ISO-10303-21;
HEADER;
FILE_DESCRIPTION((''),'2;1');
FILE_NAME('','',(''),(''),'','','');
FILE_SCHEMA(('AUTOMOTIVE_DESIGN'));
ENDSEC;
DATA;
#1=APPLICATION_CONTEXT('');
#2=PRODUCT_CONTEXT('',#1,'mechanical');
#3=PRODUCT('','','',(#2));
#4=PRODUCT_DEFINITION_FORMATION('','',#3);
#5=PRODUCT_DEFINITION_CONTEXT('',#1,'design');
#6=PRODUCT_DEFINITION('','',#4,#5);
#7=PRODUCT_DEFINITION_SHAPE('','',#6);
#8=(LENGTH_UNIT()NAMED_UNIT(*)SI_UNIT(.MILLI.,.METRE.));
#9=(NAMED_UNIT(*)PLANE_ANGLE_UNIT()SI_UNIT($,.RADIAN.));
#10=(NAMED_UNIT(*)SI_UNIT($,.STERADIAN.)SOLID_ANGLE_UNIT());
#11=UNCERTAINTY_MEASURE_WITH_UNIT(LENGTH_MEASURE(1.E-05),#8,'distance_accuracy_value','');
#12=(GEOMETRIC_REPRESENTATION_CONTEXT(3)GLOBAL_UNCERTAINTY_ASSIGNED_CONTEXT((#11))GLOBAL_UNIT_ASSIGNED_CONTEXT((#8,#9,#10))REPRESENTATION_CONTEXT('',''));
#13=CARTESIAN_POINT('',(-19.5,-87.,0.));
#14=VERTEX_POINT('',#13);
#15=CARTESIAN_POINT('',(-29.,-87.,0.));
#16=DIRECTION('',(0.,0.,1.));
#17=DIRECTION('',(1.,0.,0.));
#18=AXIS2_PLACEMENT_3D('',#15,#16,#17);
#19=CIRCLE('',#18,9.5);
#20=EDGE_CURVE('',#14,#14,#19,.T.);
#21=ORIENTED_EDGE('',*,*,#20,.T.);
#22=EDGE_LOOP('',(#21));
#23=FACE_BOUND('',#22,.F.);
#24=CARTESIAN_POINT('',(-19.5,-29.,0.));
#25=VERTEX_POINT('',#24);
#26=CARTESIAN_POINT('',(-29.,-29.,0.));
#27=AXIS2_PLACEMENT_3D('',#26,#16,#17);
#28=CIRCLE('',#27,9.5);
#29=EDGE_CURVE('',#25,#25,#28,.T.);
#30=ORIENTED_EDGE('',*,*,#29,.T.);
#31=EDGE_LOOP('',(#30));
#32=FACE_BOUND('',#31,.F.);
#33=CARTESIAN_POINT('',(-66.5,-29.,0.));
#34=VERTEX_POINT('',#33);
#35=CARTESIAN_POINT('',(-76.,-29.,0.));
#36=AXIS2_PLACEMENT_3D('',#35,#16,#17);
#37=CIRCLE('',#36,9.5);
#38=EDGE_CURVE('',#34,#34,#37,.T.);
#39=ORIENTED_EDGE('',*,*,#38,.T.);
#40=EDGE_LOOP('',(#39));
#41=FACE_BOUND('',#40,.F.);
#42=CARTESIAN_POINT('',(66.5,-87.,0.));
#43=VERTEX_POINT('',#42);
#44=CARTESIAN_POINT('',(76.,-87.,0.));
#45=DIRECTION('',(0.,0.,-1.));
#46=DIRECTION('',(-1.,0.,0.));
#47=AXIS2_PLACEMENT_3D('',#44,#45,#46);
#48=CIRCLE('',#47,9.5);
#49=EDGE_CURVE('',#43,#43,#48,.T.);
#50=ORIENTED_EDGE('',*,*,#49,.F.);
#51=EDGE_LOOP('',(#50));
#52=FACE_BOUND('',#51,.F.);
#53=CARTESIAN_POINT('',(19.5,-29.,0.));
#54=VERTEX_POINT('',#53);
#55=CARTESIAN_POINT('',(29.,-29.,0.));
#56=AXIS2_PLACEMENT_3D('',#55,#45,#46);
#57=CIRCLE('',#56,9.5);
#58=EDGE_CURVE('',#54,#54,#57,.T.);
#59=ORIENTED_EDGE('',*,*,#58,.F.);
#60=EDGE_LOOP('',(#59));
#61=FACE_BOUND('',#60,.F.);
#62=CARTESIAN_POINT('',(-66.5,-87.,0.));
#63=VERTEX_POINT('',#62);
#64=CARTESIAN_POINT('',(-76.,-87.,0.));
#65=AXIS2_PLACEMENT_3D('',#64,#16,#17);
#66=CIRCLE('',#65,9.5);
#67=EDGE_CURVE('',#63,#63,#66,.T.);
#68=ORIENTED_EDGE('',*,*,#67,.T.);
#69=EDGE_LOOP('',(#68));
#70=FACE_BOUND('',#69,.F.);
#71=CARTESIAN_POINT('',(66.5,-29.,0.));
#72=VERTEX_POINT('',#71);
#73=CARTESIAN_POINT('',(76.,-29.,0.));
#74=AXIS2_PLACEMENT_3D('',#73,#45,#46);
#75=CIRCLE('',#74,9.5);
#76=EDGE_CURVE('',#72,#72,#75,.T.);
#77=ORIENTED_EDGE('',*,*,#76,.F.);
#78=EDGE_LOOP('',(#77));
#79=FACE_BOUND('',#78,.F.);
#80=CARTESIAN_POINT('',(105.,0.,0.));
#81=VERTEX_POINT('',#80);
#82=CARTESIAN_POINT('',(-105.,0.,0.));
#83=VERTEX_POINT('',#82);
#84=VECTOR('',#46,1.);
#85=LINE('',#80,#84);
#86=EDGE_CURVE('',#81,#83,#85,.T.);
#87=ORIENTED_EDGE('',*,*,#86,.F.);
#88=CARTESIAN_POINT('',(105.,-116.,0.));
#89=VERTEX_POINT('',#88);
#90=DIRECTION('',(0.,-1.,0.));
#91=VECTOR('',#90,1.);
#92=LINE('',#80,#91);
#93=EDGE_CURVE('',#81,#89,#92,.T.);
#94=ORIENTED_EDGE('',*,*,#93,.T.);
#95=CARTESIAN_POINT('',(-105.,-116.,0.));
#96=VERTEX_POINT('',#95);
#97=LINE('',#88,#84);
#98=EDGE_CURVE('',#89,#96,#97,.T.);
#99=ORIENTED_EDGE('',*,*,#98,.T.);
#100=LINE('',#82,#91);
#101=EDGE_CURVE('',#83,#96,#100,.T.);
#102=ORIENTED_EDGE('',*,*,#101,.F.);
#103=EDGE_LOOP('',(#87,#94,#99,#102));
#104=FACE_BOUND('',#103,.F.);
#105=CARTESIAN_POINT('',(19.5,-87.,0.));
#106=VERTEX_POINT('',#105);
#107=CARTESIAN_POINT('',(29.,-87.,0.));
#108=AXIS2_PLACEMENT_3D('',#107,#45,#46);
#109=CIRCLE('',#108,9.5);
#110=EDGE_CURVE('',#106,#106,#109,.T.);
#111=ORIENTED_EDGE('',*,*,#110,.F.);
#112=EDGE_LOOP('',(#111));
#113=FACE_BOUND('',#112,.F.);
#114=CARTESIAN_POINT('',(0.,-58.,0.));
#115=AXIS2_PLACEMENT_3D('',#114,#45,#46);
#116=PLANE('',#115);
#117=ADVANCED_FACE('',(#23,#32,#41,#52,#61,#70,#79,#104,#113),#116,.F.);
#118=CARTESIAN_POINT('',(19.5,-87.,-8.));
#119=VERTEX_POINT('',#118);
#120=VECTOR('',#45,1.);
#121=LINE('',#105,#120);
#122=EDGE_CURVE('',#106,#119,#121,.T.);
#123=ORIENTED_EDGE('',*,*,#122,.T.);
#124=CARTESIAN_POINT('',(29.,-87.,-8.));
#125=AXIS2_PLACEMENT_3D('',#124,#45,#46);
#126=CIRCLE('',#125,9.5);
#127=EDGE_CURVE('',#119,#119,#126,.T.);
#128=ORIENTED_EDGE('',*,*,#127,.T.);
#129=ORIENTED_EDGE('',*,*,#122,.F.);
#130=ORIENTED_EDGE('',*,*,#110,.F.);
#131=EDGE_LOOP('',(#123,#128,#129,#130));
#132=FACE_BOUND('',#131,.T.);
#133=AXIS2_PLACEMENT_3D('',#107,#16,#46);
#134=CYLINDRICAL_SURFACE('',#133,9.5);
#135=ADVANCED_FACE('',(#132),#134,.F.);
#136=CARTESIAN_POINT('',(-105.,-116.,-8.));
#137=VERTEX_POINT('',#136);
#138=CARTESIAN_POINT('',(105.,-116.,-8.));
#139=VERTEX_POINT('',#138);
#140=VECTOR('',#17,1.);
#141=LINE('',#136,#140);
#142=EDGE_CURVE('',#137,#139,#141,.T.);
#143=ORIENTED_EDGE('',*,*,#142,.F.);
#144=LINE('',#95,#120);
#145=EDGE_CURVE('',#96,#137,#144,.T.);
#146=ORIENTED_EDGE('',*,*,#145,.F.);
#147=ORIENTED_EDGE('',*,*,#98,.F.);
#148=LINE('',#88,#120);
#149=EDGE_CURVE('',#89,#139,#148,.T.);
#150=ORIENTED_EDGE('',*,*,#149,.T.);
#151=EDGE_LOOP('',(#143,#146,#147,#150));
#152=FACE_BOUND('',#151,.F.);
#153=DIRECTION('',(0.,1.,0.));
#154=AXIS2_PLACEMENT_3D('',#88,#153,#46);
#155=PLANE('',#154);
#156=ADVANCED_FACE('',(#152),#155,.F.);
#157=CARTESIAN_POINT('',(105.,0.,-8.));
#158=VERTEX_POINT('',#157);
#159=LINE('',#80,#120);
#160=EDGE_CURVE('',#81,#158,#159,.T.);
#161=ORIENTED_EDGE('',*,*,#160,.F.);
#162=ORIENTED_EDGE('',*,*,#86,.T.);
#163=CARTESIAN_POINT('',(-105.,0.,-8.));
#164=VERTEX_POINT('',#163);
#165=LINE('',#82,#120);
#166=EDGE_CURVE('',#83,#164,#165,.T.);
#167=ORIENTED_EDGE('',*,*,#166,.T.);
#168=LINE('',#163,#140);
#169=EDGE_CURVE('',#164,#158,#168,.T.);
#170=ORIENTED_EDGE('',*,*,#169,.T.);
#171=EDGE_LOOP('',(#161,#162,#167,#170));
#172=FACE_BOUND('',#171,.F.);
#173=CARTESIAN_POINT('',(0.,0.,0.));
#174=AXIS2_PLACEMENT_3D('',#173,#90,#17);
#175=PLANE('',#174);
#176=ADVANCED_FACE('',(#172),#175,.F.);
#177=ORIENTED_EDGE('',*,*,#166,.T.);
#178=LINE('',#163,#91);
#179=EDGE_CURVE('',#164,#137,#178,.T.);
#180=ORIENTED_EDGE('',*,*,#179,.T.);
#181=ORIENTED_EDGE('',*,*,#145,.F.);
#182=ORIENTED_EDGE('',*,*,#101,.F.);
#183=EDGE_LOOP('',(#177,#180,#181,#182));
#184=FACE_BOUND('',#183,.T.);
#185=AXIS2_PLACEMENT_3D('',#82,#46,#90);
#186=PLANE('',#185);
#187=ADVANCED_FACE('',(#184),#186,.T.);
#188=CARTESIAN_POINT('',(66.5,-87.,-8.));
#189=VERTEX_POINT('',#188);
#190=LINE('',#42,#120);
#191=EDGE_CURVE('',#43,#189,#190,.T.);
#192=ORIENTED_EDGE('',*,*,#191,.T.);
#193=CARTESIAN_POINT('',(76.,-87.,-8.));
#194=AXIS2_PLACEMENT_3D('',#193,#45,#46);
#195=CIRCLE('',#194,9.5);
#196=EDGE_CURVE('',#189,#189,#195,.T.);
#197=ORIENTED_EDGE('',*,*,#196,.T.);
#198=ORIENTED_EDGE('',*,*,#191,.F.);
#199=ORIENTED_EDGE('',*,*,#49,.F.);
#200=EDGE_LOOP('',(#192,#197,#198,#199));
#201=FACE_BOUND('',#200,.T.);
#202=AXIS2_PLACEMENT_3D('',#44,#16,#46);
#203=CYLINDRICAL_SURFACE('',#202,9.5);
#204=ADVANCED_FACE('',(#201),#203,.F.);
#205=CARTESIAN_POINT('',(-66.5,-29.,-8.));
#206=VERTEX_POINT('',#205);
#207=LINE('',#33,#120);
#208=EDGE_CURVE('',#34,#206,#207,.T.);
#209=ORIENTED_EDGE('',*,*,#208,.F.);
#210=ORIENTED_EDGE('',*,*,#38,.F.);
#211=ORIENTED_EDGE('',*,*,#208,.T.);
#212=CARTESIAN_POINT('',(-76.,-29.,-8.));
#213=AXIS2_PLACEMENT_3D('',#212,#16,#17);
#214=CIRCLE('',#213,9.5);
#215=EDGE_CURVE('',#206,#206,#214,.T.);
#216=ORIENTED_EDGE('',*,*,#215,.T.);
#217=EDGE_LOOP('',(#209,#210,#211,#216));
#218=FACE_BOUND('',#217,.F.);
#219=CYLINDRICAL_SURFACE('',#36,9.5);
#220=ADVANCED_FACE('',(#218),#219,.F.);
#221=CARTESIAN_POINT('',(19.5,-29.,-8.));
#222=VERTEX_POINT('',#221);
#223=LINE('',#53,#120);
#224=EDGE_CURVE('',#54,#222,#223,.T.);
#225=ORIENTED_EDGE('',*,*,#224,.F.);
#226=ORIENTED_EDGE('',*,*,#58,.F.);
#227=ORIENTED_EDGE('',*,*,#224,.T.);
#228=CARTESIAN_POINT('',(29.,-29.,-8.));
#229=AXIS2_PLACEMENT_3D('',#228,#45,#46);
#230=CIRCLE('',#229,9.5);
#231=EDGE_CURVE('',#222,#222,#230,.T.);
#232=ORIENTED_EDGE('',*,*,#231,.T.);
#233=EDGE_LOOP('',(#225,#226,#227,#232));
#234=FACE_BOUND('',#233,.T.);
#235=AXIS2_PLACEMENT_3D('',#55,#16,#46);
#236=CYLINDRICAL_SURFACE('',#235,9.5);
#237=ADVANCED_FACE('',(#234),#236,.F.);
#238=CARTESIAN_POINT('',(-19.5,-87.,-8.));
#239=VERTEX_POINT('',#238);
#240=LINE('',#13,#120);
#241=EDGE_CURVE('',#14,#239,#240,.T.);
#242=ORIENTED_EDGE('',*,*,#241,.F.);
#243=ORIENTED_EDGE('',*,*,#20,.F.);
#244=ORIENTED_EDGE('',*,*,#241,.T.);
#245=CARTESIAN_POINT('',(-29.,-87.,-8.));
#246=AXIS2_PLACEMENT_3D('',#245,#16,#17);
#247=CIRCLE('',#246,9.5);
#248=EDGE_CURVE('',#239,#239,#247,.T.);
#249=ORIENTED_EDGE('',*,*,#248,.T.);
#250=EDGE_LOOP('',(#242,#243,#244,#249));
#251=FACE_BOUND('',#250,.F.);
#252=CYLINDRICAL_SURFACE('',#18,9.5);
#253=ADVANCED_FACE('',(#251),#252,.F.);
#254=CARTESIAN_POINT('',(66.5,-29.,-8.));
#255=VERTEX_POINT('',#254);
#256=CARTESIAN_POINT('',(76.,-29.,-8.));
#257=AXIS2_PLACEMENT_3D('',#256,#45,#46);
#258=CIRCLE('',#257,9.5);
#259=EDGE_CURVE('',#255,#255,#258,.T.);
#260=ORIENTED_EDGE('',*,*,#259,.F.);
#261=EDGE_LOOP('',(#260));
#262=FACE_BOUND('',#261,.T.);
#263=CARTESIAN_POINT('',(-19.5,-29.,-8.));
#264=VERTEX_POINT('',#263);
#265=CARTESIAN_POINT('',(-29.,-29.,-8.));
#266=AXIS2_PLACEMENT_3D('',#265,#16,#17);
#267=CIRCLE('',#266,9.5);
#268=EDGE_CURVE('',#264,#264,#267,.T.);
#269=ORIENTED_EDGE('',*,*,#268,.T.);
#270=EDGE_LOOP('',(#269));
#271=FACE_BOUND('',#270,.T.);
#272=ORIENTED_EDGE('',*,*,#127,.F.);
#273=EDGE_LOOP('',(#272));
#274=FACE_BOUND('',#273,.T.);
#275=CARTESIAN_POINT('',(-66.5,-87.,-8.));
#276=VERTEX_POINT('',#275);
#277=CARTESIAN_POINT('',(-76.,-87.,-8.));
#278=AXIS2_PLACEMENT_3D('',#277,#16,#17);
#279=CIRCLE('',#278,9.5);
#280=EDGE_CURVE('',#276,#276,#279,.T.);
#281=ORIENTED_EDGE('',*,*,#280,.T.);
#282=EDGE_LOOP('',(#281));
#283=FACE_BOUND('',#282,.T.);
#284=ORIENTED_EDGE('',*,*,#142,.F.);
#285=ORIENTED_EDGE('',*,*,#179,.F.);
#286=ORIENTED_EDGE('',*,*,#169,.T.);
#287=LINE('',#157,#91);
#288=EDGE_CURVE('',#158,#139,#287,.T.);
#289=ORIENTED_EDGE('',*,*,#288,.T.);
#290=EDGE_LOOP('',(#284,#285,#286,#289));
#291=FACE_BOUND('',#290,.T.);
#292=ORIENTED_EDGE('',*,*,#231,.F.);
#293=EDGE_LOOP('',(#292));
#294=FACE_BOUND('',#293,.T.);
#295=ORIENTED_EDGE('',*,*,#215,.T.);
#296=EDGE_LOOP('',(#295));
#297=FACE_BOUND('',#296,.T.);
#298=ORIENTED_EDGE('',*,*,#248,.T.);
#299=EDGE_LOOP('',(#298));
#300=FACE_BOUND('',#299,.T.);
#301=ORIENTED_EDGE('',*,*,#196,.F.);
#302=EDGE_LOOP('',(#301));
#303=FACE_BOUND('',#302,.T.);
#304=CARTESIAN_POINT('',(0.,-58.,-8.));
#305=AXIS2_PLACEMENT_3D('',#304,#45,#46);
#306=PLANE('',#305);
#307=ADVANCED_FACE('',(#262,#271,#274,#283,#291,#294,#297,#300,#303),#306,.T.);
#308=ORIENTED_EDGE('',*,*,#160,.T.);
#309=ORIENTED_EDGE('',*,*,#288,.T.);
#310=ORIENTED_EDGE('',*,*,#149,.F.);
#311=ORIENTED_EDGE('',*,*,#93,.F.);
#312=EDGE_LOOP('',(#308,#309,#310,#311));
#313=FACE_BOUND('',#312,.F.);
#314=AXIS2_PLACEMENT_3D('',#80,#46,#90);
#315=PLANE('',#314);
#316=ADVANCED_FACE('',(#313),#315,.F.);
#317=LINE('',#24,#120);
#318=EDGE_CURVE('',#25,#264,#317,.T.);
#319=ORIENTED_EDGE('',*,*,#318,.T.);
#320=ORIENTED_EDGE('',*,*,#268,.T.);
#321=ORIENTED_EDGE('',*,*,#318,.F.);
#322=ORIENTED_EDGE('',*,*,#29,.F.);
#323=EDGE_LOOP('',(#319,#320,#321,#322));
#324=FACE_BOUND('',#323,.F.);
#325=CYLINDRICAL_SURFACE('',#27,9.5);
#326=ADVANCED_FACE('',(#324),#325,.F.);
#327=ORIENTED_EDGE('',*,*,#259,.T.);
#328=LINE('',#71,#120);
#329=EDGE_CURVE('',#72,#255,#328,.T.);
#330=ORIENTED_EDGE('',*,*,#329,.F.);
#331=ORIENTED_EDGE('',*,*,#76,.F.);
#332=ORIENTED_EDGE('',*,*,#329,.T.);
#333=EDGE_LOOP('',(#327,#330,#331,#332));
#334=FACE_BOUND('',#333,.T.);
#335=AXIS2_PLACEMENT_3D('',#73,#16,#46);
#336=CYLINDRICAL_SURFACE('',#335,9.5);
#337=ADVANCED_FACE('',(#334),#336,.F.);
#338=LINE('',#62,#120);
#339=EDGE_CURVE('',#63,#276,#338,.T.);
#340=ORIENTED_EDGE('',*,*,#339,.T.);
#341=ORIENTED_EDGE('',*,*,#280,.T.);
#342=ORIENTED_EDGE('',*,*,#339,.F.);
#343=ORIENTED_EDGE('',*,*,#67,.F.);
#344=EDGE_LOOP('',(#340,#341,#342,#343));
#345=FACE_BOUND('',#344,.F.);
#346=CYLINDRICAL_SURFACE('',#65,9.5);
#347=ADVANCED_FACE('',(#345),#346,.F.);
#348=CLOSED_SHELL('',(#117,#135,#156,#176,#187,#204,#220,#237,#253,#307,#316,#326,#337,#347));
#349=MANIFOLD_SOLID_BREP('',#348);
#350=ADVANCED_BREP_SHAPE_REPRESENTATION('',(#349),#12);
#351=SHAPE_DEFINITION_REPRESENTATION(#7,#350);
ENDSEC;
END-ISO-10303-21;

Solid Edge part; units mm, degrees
sketch "Sketch1" plane through (0, 0, 0) normal (0, 0, 1) x (1, 0, 0)
  line L0 (105, -116) -> (0, -116)
  line L1 (-105, -116) -> (0, -116)
  line L2 (-105, 0) -> (-105, -116)
  line L3 (0, 0) -> (-105, 0)
  line L4 (0, 0) -> (105, 0)
  line L5 (105, 0) -> (105, -116)
extrude "Protrusion1" add sketch "Sketch1" against normal blind 8
sketch "Sketch2" plane through (0, -58, 0) normal (0, 0, 1) x (1, 0, 0)
  circle A0 centre (-29, 29) radius 9.5
extrude "ExtrudedCutout_2" cut sketch "Sketch2" against normal blind 8
pattern_linear "Pattern1" count 2 spacing 47 along (-1, 0, 0) count 2 spacing 58 along (0, -1, 0) of "ExtrudedCutout_2"
mirror "Mirror1" about plane through (0, -58, -4) normal (-1, 0, 0) of "ExtrudedCutout_2", "Pattern1"
